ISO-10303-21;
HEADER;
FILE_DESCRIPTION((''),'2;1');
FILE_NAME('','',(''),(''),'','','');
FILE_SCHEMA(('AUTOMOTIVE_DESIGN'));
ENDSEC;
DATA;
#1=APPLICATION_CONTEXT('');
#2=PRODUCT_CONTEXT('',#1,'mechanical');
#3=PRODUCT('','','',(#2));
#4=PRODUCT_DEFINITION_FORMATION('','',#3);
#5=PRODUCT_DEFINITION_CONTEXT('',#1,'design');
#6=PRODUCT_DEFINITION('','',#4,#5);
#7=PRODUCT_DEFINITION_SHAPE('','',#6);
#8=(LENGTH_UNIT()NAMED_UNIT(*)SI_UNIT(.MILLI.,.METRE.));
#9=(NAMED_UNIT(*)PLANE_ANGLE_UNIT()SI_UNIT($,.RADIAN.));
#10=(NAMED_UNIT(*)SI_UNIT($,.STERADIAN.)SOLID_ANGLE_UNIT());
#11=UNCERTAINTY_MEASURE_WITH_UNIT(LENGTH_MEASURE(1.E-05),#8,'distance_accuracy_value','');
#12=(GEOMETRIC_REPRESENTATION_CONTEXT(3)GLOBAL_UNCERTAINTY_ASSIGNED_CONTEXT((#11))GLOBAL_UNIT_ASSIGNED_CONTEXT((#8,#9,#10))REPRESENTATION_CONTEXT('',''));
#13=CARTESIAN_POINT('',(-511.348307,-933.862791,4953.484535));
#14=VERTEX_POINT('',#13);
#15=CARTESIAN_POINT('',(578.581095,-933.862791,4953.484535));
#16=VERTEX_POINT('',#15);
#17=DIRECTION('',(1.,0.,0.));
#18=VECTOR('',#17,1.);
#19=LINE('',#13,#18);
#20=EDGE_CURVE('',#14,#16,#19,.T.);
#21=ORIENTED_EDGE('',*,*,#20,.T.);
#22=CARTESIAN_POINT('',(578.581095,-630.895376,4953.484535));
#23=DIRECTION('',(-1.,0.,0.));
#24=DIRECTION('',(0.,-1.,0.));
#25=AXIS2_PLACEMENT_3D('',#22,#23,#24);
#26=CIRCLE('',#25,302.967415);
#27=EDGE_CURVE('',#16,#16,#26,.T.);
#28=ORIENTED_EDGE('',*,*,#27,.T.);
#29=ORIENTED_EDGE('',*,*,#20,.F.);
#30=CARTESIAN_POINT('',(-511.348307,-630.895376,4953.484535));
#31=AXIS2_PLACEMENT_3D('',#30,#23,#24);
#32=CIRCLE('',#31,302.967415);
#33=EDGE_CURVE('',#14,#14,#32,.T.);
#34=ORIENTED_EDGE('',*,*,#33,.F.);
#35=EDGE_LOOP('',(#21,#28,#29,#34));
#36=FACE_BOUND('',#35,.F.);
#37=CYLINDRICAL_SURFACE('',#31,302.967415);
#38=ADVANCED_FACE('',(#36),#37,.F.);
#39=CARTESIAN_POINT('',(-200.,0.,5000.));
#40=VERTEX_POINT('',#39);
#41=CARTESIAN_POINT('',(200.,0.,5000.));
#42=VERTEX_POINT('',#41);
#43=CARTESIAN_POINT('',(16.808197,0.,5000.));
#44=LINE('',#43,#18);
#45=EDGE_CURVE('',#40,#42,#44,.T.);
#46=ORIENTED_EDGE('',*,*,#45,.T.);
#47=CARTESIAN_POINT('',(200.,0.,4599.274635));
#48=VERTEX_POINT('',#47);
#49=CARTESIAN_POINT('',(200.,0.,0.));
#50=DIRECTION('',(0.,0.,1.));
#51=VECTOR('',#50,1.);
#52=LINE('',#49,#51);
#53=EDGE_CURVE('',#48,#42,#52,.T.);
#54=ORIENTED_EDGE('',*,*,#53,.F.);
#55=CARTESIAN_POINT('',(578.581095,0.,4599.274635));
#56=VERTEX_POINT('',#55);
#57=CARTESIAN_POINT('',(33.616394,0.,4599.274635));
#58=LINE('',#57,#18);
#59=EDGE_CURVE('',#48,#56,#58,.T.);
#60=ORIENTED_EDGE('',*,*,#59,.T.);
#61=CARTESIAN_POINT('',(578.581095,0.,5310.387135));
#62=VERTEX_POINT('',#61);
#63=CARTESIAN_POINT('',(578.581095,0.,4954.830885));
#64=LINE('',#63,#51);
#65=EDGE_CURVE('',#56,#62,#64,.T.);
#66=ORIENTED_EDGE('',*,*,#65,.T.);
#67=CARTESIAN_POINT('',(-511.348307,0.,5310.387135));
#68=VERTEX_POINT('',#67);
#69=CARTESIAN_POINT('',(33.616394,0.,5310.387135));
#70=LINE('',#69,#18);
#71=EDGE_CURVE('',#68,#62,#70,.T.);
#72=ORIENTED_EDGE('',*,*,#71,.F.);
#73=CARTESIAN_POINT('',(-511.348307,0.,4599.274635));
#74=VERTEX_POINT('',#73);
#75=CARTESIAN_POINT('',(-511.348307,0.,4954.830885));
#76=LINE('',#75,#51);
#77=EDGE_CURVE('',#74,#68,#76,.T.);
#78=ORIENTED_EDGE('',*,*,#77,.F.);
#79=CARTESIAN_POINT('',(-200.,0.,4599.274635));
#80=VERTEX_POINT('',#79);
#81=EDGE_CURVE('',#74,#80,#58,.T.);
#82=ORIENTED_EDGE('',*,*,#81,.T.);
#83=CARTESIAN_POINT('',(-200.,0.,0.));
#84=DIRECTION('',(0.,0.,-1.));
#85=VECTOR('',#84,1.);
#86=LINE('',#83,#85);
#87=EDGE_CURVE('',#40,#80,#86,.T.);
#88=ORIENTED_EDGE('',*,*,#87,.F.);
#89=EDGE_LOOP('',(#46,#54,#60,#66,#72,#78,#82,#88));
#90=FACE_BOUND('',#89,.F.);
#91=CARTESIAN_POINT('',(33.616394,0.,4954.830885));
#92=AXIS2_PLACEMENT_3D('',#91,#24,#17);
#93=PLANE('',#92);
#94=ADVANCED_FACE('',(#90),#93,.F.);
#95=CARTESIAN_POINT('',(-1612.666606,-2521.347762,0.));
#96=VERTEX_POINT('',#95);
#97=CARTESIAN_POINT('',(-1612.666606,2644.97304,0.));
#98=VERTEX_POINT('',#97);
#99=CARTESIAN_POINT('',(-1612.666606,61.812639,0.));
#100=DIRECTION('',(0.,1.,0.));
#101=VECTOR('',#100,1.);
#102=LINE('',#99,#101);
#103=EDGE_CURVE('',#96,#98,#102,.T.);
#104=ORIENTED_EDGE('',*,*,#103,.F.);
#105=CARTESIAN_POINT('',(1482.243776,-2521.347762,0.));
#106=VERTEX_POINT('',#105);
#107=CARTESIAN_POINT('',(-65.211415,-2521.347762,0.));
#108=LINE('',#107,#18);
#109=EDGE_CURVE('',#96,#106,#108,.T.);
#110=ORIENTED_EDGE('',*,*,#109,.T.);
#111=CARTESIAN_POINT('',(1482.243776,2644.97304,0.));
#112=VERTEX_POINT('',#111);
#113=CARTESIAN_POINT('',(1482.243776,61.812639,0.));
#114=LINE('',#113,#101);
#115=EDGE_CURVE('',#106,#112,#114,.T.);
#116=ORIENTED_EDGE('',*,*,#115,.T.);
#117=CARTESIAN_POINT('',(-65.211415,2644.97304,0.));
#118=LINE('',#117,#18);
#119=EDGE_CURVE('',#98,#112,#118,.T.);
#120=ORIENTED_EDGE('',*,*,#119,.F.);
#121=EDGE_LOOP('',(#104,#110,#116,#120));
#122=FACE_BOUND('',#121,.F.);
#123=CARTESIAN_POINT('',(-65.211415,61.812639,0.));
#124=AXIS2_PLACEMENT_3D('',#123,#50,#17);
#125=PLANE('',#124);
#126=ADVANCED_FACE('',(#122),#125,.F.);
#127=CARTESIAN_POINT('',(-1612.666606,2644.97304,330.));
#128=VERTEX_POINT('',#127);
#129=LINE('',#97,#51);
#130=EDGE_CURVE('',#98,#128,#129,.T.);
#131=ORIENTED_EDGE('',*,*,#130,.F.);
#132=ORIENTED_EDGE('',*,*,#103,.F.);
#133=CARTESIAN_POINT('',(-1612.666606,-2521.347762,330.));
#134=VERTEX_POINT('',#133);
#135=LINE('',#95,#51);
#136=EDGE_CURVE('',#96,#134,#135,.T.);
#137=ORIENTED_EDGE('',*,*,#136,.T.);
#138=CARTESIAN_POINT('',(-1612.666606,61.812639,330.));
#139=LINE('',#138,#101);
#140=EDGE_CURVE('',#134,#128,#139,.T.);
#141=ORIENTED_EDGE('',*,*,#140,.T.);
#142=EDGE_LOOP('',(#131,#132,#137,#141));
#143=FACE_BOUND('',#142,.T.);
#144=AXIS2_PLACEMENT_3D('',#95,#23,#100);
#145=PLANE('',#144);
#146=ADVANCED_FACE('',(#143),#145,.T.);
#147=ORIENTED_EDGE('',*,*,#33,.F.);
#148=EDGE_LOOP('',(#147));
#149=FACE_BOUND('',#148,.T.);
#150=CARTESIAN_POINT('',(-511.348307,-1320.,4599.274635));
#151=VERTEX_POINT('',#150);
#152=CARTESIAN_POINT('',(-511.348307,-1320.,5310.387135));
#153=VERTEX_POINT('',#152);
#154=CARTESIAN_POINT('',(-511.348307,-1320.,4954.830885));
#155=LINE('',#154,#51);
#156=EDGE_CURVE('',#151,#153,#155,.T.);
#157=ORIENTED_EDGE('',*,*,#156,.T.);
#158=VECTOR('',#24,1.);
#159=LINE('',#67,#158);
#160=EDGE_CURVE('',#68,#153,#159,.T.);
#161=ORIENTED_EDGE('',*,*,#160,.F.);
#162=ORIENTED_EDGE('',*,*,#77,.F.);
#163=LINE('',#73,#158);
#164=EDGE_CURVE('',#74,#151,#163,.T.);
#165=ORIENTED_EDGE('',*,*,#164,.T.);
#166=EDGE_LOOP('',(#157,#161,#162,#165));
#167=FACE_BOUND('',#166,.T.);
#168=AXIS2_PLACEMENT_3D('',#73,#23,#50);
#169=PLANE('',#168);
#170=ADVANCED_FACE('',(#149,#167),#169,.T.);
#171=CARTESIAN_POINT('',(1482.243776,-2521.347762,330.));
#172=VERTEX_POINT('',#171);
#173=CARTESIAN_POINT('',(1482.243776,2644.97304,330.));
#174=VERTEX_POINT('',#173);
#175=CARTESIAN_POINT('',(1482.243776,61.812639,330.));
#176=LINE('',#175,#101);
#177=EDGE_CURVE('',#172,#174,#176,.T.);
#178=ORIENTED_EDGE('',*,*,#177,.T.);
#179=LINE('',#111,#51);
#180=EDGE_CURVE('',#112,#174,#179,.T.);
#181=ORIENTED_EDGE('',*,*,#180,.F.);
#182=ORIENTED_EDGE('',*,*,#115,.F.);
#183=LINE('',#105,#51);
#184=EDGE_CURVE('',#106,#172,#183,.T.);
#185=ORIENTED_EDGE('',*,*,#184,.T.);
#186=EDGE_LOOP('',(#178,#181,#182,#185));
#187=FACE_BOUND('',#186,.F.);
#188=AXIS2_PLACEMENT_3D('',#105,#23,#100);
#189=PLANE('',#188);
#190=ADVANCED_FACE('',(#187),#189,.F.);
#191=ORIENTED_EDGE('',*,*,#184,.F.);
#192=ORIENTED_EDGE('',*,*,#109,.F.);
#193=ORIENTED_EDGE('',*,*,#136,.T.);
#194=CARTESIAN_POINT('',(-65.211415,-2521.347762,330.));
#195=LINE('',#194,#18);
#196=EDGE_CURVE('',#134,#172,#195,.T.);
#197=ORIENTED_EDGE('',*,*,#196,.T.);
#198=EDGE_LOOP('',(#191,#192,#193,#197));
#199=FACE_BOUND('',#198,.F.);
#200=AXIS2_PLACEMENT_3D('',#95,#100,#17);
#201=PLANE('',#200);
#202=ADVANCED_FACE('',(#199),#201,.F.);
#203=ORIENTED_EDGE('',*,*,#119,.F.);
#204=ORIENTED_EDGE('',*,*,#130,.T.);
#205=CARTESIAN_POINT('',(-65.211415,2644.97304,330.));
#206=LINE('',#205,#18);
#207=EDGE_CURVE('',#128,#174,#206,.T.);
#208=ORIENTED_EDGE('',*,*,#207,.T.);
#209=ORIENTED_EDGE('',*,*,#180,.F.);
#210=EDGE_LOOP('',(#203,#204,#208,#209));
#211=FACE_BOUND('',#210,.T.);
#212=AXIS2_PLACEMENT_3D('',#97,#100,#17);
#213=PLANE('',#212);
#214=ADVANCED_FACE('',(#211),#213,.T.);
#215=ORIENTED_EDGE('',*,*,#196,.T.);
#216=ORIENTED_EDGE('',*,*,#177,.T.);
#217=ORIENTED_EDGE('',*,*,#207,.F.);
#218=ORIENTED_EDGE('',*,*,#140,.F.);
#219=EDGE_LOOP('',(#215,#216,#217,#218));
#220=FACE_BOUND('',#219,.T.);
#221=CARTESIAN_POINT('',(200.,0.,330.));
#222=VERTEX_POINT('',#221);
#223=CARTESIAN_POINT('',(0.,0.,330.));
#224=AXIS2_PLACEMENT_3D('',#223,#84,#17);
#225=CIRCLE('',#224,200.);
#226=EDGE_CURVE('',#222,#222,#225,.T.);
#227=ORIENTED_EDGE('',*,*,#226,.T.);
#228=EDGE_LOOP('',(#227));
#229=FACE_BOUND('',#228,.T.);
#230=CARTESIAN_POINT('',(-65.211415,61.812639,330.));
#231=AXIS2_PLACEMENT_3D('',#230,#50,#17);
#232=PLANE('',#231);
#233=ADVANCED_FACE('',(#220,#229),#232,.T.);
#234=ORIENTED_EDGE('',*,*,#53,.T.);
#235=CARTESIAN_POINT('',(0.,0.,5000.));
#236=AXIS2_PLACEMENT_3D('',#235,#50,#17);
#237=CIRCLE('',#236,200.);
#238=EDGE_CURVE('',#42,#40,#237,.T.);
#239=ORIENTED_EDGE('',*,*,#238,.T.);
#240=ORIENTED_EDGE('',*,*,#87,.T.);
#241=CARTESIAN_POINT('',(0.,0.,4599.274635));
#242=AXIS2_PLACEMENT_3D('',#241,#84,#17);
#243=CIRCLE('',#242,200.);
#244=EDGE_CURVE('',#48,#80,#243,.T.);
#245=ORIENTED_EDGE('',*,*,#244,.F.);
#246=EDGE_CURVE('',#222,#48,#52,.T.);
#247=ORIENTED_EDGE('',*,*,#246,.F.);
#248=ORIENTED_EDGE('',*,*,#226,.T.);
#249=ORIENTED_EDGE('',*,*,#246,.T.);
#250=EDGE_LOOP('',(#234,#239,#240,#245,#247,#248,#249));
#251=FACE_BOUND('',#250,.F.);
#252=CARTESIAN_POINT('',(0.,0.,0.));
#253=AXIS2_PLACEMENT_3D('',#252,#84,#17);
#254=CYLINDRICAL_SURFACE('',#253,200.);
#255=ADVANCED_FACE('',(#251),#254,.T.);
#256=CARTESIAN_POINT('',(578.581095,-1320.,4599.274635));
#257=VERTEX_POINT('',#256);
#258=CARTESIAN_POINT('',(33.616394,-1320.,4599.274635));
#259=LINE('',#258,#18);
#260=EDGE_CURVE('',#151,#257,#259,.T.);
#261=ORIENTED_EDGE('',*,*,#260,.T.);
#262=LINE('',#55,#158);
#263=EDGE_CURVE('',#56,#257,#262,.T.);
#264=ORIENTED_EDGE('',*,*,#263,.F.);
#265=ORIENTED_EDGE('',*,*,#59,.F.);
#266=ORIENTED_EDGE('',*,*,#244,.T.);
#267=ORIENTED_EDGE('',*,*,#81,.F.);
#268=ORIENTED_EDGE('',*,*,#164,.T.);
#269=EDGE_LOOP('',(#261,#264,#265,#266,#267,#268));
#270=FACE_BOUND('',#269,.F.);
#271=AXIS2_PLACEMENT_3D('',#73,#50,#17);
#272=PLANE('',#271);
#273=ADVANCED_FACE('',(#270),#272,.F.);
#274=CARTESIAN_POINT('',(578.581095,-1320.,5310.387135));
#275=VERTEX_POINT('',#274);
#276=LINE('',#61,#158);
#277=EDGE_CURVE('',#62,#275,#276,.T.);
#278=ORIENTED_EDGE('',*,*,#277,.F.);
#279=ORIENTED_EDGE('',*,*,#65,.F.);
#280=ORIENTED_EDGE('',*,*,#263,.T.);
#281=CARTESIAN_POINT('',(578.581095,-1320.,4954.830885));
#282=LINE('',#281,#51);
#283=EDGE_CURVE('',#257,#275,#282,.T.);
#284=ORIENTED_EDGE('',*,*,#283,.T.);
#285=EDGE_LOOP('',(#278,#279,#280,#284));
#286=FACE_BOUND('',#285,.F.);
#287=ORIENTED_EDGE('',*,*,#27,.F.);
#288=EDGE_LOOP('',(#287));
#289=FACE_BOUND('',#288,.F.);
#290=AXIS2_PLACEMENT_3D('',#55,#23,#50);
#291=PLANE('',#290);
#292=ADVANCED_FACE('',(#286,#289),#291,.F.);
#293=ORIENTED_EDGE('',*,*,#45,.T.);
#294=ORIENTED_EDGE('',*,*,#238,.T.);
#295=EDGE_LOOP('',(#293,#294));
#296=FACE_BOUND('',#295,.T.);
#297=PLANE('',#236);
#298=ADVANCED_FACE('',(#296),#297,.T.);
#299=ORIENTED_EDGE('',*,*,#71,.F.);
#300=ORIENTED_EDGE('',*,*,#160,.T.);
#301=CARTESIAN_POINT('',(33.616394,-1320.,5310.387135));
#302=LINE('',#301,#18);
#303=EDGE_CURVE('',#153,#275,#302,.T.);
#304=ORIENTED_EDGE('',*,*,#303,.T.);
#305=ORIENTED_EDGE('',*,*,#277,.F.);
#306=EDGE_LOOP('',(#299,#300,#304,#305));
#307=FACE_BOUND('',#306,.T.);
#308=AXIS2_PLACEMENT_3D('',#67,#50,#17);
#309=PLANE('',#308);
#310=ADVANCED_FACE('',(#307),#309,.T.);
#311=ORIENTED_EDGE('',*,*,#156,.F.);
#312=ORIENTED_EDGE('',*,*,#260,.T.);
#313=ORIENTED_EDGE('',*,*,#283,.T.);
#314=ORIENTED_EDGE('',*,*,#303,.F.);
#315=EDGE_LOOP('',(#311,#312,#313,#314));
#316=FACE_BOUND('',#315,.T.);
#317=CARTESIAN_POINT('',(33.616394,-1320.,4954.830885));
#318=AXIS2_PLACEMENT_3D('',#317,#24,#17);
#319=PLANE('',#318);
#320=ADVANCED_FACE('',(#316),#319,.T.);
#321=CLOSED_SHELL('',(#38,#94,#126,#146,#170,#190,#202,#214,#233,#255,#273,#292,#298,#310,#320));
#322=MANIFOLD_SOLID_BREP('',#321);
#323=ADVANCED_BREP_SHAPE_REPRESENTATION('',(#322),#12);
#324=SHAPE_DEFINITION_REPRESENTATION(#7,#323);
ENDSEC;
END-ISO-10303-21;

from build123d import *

# Parameters (mm, degrees)
F0_R     = 200
F1_DEPTH = 5000
F2_W     = 1089.929402
F2_H     = 711.1125
F3_DEPTH = 1320
F4_W     = 3094.910383
F4_H     = 5166.320801
F5_DEPTH = 330
F6_R     = 302.967415
F7_DEPTH = 1990


with BuildPart() as f1:
    # F0 (on Top) → F1 (new body)
    with BuildSketch(Plane.XY):
        Circle(F0_R)
    extrude(amount=F1_DEPTH)

    # F2 (on Front) → F3 (join)
    with BuildSketch(Plane.XZ):
        with Locations((33.616394, 4954.830885)):
            Rectangle(F2_W, F2_H)
    extrude(amount=F3_DEPTH)

    # F4 (on Top) → F5 (join)
    with BuildSketch(Plane.XY):
        with Locations((-65.211415, 61.812639)):
            Rectangle(F4_W, F4_H)
    extrude(amount=F5_DEPTH)

    # F6 (on face) → F7 (cut)
    with BuildSketch(Plane(origin=(-511.348307, 0, 0), x_dir=(0, -1, 0), z_dir=(-1, 0, 0))):
        with Locations((630.895376, 4953.484535)):
            Circle(F6_R)
    extrude(amount=-F7_DEPTH, mode=Mode.SUBTRACT)


solid = f1.part
